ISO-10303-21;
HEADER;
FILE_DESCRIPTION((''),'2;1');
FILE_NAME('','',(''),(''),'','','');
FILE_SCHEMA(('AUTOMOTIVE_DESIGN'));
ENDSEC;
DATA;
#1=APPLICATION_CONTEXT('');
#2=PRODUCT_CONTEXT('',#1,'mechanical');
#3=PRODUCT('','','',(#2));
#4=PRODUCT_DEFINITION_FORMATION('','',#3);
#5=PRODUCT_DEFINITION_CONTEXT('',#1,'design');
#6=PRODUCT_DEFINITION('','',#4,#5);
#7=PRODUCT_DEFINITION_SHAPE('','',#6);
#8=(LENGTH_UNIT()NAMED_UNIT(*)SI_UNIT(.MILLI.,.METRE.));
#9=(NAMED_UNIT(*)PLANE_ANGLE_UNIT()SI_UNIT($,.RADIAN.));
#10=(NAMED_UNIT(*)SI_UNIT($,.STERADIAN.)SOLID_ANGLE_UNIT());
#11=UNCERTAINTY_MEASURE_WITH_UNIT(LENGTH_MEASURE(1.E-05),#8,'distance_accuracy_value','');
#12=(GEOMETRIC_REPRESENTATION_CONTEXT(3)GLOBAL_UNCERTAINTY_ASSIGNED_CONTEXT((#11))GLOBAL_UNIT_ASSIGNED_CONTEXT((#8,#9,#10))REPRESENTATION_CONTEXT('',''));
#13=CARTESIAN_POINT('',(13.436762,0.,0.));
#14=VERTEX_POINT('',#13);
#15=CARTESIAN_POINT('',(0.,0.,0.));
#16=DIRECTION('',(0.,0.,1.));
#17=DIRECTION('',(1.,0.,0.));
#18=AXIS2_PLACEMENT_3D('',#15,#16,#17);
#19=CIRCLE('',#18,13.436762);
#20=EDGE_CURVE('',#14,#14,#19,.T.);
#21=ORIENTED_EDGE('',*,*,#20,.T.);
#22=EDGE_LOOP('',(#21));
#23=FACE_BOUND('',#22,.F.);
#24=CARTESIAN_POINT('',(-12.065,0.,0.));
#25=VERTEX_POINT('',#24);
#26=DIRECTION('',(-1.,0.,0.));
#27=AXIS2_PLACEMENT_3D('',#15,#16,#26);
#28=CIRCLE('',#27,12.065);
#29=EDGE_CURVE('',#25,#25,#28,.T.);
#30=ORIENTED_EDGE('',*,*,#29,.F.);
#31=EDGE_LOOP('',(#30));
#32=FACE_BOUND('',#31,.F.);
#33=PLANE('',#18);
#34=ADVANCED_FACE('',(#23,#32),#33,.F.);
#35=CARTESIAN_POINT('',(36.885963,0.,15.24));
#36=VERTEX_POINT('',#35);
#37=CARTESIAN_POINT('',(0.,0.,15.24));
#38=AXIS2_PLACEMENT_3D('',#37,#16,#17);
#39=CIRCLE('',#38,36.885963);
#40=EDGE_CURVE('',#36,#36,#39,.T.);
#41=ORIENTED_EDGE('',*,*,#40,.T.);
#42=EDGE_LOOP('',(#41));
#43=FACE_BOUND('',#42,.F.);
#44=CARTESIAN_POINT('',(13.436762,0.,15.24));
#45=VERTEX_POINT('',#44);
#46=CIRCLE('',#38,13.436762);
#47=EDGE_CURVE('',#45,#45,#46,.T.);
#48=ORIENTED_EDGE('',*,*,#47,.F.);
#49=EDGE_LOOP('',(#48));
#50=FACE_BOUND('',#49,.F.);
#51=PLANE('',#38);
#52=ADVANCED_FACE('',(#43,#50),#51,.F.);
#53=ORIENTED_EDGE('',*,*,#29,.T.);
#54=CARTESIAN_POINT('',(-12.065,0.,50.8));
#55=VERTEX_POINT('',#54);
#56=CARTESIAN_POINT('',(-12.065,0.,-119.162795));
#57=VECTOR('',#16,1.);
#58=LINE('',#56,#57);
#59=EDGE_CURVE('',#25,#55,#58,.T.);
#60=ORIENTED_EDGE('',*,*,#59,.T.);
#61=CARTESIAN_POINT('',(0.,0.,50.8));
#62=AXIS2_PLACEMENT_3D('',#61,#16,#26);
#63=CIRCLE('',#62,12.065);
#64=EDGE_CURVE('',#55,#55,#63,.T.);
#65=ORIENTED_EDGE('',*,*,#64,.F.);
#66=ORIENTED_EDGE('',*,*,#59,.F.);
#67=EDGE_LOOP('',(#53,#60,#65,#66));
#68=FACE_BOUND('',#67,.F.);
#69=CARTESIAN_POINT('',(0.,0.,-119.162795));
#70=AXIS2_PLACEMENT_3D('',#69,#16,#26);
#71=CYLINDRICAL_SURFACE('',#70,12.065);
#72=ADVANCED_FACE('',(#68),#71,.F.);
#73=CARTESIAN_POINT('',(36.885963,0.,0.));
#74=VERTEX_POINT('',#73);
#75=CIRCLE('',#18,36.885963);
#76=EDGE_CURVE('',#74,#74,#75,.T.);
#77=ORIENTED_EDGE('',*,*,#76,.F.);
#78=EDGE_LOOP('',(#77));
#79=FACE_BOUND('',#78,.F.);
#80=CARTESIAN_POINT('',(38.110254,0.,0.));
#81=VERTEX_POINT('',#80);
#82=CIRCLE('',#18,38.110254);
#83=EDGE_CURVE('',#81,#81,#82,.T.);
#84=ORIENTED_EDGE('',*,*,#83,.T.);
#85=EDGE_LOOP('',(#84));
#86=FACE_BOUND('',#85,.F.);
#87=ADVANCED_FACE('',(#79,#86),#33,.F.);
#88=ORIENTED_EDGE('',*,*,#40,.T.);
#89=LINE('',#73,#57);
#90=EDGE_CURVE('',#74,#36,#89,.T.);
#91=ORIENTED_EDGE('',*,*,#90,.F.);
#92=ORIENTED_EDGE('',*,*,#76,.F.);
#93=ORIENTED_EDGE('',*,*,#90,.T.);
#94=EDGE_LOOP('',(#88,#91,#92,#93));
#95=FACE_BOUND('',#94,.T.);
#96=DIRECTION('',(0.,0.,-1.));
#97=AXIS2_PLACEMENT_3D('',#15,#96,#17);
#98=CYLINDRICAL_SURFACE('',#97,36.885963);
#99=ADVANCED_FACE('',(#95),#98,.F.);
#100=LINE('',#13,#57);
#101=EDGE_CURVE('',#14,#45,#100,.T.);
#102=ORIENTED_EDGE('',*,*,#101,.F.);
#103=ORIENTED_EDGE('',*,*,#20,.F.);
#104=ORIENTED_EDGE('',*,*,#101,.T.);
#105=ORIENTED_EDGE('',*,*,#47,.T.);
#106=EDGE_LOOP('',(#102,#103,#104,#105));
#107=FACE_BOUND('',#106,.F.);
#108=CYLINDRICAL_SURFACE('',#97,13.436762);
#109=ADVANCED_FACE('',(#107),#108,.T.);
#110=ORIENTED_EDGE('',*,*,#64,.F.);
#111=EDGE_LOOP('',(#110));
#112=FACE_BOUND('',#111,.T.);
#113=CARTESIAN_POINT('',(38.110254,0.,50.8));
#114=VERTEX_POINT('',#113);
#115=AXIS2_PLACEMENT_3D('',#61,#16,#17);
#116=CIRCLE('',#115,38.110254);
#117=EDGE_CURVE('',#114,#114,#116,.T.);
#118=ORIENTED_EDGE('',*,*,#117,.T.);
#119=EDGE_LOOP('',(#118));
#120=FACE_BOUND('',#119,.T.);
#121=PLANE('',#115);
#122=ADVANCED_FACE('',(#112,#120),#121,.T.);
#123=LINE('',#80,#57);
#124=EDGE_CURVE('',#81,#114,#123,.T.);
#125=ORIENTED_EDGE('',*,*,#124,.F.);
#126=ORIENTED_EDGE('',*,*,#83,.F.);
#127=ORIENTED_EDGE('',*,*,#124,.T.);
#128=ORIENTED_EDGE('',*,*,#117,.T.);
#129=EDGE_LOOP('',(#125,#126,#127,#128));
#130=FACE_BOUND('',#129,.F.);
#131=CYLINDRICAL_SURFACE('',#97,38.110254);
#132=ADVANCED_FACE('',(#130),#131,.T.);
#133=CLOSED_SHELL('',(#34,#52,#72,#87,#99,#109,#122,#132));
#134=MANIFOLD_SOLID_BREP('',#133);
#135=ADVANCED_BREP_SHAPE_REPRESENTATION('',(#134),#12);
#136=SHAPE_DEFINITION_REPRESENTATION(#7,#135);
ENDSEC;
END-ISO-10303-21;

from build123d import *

# Parameters (mm, degrees)
F0_R     = 38.110254
F1_DEPTH = 50.8
F2_R     = 36.885963
F2_R_2   = 13.436762
F3_DEPTH = 15.24
F5_D     = 24.13


with BuildPart() as f1:
    # F0 (on Top) → F1 (new body)
    with BuildSketch(Plane.XY):
        Circle(F0_R)
    extrude(amount=F1_DEPTH)

    # F2 (on Top) → F3 (cut)
    with BuildSketch(Plane.XY):
        Circle(F2_R)
        Circle(F2_R_2, mode=Mode.SUBTRACT)
    extrude(amount=F3_DEPTH, mode=Mode.SUBTRACT)

    # F5 (through all)
    with Locations(Plane(origin=(0, 0, 0), x_dir=(1, 0, 0), z_dir=(0, 0, -1))):
        with Locations((0, 0)):
            Hole(F5_D / 2)


solid = f1.part
